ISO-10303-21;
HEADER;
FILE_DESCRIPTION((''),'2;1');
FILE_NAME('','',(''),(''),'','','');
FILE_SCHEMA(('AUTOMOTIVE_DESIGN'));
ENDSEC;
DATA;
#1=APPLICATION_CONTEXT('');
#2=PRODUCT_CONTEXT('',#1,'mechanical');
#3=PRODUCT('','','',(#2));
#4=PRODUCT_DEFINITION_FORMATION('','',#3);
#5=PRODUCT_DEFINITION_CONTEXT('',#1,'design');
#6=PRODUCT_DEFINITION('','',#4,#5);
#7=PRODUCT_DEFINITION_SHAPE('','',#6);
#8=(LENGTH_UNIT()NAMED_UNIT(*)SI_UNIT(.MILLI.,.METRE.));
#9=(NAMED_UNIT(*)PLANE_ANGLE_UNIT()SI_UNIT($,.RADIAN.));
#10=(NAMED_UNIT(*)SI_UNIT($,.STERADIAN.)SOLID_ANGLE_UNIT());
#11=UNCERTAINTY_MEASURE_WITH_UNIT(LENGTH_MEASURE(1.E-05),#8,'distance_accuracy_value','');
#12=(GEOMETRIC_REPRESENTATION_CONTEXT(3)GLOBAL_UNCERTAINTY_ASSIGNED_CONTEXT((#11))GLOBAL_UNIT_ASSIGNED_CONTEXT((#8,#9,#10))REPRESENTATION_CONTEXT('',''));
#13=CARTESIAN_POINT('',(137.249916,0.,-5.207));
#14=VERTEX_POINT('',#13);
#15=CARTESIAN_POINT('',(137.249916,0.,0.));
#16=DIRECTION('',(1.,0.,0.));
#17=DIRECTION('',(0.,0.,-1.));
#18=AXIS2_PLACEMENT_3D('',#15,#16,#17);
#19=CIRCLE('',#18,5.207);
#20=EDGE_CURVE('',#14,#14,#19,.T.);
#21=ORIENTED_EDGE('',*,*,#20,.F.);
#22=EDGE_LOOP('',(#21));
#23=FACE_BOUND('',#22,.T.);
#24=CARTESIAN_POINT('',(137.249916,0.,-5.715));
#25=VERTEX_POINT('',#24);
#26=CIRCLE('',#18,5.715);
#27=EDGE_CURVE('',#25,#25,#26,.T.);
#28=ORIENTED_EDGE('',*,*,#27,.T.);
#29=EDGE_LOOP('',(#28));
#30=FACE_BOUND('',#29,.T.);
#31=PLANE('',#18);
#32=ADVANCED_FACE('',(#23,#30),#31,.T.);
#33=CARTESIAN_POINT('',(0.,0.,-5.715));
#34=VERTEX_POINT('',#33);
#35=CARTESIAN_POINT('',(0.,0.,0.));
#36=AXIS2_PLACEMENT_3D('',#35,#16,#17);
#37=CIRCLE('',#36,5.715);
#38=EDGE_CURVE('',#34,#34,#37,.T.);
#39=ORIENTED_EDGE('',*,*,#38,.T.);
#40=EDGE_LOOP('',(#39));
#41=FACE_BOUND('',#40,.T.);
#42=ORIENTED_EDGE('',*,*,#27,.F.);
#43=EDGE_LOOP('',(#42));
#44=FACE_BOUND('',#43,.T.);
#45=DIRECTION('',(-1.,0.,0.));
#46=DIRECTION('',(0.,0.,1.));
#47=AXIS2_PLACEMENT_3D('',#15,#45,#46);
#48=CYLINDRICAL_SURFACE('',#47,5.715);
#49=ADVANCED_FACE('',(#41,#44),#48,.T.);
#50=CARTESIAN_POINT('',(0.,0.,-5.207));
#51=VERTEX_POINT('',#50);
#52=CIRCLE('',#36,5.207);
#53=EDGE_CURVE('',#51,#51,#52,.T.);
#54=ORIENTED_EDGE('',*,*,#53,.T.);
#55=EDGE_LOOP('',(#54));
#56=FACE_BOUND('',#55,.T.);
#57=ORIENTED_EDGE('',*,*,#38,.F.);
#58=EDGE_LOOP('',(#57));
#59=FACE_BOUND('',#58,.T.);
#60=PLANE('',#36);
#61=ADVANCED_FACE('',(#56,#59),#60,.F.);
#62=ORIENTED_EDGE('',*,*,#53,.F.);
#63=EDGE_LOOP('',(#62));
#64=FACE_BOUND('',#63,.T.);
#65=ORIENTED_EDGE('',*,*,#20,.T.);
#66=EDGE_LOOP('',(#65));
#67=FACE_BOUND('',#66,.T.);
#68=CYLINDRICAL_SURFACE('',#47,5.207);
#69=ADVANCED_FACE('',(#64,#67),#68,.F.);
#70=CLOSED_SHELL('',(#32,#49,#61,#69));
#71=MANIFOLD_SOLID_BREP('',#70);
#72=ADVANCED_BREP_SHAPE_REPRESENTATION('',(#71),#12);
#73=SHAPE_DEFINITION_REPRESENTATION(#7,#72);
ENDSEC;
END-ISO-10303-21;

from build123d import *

# Parameters (mm, degrees)
SKETCH1_R           = 5.715
SKETCH1_R_2         = 5.207
BOSS_EXTRUDE1_DEPTH = 137.249916


with BuildPart() as part:
    # Sketch1 → Boss-Extrude1 (new body)
    with BuildSketch(Plane.YZ):
        Circle(SKETCH1_R)
        Circle(SKETCH1_R_2, mode=Mode.SUBTRACT)
    extrude(amount=BOSS_EXTRUDE1_DEPTH)


solid = part.part
